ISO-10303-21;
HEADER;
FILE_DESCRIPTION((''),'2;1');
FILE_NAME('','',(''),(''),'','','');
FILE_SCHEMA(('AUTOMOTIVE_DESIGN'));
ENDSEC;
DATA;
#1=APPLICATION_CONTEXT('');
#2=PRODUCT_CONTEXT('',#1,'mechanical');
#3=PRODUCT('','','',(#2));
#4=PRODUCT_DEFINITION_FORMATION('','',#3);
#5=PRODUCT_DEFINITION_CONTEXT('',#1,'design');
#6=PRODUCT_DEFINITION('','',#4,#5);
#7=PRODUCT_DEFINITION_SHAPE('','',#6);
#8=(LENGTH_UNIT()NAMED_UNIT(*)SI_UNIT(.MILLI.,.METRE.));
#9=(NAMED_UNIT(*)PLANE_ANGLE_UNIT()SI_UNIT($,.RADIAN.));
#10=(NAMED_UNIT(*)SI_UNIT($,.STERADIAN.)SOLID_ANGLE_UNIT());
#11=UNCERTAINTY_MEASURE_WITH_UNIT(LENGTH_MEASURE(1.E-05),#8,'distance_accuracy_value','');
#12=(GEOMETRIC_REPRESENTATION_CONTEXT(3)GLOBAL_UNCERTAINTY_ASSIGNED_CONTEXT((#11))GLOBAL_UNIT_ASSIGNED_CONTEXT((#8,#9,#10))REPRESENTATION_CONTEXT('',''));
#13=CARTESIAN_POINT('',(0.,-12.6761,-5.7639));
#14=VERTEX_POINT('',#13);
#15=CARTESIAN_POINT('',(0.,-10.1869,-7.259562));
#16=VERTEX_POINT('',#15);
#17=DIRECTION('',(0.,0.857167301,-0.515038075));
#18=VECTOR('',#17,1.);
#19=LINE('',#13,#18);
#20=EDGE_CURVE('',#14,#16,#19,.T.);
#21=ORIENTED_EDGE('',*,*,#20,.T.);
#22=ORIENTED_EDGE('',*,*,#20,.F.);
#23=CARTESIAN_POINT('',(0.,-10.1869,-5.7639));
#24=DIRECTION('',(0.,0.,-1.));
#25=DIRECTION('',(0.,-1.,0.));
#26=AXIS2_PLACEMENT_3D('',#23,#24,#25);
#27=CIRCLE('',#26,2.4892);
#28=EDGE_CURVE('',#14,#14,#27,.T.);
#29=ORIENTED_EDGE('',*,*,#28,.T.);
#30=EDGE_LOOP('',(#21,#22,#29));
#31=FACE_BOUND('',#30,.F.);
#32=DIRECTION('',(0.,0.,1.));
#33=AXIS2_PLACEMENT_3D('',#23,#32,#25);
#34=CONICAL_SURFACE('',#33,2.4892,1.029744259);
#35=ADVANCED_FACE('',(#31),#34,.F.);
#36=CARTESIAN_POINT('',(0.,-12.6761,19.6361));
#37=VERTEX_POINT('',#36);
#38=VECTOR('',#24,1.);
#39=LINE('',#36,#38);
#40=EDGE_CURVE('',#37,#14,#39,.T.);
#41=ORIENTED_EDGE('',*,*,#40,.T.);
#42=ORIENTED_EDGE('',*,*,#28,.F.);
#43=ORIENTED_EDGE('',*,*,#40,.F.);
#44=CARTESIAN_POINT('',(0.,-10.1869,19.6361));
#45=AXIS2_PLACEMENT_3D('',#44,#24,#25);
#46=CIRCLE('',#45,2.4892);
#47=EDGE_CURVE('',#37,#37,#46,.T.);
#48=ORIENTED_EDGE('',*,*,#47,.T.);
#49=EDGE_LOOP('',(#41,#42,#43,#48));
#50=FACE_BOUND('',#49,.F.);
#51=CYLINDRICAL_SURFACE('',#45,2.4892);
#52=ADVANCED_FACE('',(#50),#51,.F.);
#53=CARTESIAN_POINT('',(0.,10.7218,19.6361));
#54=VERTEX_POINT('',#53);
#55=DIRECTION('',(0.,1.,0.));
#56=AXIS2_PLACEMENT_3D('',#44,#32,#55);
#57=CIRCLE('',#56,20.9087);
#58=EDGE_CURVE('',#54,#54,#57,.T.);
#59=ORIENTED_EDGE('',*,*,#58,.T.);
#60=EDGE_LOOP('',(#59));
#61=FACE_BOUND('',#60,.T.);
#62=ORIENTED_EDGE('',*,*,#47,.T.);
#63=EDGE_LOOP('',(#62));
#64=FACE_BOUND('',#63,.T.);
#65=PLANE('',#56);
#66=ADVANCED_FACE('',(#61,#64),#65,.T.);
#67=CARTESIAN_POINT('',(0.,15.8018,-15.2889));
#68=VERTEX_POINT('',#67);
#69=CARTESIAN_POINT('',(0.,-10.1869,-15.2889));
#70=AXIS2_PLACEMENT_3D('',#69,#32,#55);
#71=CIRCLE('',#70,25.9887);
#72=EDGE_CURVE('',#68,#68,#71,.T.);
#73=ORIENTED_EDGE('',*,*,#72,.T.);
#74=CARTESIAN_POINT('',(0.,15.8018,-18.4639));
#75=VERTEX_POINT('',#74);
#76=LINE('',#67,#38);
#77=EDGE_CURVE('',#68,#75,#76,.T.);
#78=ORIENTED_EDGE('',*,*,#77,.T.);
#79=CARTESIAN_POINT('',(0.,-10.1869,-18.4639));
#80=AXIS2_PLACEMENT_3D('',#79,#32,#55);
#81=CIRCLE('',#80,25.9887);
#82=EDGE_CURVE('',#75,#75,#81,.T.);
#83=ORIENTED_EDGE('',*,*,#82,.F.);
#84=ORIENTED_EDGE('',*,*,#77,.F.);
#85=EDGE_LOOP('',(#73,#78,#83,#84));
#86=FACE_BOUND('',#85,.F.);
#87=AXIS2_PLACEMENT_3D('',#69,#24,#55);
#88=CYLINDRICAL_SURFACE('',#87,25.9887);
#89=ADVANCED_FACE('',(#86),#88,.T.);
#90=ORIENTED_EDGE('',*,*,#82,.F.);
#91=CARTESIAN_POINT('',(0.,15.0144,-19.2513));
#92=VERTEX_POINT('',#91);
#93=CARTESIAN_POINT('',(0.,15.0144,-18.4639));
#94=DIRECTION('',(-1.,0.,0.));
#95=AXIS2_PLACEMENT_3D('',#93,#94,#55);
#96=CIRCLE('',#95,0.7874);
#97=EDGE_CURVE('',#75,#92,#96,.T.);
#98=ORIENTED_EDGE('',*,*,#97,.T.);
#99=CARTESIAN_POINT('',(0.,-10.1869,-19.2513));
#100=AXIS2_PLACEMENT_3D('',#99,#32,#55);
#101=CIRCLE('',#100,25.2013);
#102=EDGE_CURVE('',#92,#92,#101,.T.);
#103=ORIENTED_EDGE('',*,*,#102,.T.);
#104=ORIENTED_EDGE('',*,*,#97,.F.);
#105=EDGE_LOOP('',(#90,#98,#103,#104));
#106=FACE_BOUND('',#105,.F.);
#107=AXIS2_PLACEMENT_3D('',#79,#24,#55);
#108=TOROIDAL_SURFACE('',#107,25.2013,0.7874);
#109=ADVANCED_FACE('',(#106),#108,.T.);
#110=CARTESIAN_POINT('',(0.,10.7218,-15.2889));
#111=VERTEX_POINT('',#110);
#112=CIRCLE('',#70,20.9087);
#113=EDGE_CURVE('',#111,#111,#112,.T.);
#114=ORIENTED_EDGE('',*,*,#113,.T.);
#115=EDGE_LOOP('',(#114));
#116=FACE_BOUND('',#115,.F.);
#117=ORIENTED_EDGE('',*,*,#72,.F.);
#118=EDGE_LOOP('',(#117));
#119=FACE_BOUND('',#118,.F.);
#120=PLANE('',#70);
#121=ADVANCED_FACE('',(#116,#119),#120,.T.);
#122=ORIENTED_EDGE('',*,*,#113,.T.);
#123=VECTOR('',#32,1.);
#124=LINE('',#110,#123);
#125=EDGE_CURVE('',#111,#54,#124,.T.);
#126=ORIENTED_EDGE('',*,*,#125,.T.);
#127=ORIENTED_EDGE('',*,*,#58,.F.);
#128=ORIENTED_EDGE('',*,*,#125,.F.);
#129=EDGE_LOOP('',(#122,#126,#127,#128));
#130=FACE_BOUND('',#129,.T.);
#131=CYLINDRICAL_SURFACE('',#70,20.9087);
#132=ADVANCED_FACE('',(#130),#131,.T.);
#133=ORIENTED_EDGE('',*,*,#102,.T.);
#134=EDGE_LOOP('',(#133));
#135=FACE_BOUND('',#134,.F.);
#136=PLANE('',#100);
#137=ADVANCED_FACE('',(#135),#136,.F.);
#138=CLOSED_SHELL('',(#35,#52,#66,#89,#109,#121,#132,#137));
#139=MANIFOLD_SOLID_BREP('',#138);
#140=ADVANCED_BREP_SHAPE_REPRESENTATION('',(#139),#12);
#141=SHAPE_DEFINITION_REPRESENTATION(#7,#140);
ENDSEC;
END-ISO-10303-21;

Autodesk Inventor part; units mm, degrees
ref_plane "YZ Plane" through (0, 0, 0) normal (1, 0, 0) x (0, 1, 0)
ref_plane "XZ Plane" through (0, 0, 0) normal (0, 1, 0) x (-1, 0, 0)
ref_plane "XY Plane" through (0, 0, 0) normal (0, 0, 1) x (1, 0, 0)
sketch "Sketch1" plane through (0, 0, 0) normal (1, 0, 0) x (0, 1, 0)
  line L0 (10.7218, 19.6361) -> (-10.1869, 19.6361)
  line L1 (-10.1869, 19.6361) -> (-10.1869, -15.2669)
  line L2 (10.7218, -15.2889) -> (10.7218, 19.6361)
  line L3 (10.7218, -15.2889) -> (15.8018, -15.2889)
  line L4 (15.8018, -15.2889) -> (15.8018, -19.2513)
  line L5 (15.8018, -19.2513) -> (-10.1869, -19.2513)
  line L6 (-10.1869, -15.2669) -> (-10.1869, -19.2513)
  line L7 (15.8018, -19.2513) -> (-11.1857, -19.2513) construction
  line L8 (-10.1869, -19.2513) -> (-10.1869, 35.0894) construction
  point P0 (0, 0)
  dimension "d0" = 3.9624
  dimension "d1" = 38.8874
  dimension "d2" = 5.08
  dimension "d4" = 26.9875
revolve "Revolution1" add sketch "Sketch1" angle 360 about axis through (0, -10.1869, -19.2513) along (0, 0, 1)
sketch "Sketch2" plane through (0, -10.1869, 19.6361) normal (0, 0, 1) x (1, 0, 0)
  point P0 (0, 10.1869)
  point P1 (0, 0)
hole "Hole1" at (0, -10.1869, 19.6361) direction (0, 0, -1) diameter 4.9784 depth 25.4 tip angle 118 thread size "1/4-20 UNC" class "2B" standard "ANSI Unified Screw Threads"
fillet "Fillet1" radius 0.7874 1 edges at (0, -36.1756, -19.2513)
properties part number "lower die 1 center" material "Steel"
